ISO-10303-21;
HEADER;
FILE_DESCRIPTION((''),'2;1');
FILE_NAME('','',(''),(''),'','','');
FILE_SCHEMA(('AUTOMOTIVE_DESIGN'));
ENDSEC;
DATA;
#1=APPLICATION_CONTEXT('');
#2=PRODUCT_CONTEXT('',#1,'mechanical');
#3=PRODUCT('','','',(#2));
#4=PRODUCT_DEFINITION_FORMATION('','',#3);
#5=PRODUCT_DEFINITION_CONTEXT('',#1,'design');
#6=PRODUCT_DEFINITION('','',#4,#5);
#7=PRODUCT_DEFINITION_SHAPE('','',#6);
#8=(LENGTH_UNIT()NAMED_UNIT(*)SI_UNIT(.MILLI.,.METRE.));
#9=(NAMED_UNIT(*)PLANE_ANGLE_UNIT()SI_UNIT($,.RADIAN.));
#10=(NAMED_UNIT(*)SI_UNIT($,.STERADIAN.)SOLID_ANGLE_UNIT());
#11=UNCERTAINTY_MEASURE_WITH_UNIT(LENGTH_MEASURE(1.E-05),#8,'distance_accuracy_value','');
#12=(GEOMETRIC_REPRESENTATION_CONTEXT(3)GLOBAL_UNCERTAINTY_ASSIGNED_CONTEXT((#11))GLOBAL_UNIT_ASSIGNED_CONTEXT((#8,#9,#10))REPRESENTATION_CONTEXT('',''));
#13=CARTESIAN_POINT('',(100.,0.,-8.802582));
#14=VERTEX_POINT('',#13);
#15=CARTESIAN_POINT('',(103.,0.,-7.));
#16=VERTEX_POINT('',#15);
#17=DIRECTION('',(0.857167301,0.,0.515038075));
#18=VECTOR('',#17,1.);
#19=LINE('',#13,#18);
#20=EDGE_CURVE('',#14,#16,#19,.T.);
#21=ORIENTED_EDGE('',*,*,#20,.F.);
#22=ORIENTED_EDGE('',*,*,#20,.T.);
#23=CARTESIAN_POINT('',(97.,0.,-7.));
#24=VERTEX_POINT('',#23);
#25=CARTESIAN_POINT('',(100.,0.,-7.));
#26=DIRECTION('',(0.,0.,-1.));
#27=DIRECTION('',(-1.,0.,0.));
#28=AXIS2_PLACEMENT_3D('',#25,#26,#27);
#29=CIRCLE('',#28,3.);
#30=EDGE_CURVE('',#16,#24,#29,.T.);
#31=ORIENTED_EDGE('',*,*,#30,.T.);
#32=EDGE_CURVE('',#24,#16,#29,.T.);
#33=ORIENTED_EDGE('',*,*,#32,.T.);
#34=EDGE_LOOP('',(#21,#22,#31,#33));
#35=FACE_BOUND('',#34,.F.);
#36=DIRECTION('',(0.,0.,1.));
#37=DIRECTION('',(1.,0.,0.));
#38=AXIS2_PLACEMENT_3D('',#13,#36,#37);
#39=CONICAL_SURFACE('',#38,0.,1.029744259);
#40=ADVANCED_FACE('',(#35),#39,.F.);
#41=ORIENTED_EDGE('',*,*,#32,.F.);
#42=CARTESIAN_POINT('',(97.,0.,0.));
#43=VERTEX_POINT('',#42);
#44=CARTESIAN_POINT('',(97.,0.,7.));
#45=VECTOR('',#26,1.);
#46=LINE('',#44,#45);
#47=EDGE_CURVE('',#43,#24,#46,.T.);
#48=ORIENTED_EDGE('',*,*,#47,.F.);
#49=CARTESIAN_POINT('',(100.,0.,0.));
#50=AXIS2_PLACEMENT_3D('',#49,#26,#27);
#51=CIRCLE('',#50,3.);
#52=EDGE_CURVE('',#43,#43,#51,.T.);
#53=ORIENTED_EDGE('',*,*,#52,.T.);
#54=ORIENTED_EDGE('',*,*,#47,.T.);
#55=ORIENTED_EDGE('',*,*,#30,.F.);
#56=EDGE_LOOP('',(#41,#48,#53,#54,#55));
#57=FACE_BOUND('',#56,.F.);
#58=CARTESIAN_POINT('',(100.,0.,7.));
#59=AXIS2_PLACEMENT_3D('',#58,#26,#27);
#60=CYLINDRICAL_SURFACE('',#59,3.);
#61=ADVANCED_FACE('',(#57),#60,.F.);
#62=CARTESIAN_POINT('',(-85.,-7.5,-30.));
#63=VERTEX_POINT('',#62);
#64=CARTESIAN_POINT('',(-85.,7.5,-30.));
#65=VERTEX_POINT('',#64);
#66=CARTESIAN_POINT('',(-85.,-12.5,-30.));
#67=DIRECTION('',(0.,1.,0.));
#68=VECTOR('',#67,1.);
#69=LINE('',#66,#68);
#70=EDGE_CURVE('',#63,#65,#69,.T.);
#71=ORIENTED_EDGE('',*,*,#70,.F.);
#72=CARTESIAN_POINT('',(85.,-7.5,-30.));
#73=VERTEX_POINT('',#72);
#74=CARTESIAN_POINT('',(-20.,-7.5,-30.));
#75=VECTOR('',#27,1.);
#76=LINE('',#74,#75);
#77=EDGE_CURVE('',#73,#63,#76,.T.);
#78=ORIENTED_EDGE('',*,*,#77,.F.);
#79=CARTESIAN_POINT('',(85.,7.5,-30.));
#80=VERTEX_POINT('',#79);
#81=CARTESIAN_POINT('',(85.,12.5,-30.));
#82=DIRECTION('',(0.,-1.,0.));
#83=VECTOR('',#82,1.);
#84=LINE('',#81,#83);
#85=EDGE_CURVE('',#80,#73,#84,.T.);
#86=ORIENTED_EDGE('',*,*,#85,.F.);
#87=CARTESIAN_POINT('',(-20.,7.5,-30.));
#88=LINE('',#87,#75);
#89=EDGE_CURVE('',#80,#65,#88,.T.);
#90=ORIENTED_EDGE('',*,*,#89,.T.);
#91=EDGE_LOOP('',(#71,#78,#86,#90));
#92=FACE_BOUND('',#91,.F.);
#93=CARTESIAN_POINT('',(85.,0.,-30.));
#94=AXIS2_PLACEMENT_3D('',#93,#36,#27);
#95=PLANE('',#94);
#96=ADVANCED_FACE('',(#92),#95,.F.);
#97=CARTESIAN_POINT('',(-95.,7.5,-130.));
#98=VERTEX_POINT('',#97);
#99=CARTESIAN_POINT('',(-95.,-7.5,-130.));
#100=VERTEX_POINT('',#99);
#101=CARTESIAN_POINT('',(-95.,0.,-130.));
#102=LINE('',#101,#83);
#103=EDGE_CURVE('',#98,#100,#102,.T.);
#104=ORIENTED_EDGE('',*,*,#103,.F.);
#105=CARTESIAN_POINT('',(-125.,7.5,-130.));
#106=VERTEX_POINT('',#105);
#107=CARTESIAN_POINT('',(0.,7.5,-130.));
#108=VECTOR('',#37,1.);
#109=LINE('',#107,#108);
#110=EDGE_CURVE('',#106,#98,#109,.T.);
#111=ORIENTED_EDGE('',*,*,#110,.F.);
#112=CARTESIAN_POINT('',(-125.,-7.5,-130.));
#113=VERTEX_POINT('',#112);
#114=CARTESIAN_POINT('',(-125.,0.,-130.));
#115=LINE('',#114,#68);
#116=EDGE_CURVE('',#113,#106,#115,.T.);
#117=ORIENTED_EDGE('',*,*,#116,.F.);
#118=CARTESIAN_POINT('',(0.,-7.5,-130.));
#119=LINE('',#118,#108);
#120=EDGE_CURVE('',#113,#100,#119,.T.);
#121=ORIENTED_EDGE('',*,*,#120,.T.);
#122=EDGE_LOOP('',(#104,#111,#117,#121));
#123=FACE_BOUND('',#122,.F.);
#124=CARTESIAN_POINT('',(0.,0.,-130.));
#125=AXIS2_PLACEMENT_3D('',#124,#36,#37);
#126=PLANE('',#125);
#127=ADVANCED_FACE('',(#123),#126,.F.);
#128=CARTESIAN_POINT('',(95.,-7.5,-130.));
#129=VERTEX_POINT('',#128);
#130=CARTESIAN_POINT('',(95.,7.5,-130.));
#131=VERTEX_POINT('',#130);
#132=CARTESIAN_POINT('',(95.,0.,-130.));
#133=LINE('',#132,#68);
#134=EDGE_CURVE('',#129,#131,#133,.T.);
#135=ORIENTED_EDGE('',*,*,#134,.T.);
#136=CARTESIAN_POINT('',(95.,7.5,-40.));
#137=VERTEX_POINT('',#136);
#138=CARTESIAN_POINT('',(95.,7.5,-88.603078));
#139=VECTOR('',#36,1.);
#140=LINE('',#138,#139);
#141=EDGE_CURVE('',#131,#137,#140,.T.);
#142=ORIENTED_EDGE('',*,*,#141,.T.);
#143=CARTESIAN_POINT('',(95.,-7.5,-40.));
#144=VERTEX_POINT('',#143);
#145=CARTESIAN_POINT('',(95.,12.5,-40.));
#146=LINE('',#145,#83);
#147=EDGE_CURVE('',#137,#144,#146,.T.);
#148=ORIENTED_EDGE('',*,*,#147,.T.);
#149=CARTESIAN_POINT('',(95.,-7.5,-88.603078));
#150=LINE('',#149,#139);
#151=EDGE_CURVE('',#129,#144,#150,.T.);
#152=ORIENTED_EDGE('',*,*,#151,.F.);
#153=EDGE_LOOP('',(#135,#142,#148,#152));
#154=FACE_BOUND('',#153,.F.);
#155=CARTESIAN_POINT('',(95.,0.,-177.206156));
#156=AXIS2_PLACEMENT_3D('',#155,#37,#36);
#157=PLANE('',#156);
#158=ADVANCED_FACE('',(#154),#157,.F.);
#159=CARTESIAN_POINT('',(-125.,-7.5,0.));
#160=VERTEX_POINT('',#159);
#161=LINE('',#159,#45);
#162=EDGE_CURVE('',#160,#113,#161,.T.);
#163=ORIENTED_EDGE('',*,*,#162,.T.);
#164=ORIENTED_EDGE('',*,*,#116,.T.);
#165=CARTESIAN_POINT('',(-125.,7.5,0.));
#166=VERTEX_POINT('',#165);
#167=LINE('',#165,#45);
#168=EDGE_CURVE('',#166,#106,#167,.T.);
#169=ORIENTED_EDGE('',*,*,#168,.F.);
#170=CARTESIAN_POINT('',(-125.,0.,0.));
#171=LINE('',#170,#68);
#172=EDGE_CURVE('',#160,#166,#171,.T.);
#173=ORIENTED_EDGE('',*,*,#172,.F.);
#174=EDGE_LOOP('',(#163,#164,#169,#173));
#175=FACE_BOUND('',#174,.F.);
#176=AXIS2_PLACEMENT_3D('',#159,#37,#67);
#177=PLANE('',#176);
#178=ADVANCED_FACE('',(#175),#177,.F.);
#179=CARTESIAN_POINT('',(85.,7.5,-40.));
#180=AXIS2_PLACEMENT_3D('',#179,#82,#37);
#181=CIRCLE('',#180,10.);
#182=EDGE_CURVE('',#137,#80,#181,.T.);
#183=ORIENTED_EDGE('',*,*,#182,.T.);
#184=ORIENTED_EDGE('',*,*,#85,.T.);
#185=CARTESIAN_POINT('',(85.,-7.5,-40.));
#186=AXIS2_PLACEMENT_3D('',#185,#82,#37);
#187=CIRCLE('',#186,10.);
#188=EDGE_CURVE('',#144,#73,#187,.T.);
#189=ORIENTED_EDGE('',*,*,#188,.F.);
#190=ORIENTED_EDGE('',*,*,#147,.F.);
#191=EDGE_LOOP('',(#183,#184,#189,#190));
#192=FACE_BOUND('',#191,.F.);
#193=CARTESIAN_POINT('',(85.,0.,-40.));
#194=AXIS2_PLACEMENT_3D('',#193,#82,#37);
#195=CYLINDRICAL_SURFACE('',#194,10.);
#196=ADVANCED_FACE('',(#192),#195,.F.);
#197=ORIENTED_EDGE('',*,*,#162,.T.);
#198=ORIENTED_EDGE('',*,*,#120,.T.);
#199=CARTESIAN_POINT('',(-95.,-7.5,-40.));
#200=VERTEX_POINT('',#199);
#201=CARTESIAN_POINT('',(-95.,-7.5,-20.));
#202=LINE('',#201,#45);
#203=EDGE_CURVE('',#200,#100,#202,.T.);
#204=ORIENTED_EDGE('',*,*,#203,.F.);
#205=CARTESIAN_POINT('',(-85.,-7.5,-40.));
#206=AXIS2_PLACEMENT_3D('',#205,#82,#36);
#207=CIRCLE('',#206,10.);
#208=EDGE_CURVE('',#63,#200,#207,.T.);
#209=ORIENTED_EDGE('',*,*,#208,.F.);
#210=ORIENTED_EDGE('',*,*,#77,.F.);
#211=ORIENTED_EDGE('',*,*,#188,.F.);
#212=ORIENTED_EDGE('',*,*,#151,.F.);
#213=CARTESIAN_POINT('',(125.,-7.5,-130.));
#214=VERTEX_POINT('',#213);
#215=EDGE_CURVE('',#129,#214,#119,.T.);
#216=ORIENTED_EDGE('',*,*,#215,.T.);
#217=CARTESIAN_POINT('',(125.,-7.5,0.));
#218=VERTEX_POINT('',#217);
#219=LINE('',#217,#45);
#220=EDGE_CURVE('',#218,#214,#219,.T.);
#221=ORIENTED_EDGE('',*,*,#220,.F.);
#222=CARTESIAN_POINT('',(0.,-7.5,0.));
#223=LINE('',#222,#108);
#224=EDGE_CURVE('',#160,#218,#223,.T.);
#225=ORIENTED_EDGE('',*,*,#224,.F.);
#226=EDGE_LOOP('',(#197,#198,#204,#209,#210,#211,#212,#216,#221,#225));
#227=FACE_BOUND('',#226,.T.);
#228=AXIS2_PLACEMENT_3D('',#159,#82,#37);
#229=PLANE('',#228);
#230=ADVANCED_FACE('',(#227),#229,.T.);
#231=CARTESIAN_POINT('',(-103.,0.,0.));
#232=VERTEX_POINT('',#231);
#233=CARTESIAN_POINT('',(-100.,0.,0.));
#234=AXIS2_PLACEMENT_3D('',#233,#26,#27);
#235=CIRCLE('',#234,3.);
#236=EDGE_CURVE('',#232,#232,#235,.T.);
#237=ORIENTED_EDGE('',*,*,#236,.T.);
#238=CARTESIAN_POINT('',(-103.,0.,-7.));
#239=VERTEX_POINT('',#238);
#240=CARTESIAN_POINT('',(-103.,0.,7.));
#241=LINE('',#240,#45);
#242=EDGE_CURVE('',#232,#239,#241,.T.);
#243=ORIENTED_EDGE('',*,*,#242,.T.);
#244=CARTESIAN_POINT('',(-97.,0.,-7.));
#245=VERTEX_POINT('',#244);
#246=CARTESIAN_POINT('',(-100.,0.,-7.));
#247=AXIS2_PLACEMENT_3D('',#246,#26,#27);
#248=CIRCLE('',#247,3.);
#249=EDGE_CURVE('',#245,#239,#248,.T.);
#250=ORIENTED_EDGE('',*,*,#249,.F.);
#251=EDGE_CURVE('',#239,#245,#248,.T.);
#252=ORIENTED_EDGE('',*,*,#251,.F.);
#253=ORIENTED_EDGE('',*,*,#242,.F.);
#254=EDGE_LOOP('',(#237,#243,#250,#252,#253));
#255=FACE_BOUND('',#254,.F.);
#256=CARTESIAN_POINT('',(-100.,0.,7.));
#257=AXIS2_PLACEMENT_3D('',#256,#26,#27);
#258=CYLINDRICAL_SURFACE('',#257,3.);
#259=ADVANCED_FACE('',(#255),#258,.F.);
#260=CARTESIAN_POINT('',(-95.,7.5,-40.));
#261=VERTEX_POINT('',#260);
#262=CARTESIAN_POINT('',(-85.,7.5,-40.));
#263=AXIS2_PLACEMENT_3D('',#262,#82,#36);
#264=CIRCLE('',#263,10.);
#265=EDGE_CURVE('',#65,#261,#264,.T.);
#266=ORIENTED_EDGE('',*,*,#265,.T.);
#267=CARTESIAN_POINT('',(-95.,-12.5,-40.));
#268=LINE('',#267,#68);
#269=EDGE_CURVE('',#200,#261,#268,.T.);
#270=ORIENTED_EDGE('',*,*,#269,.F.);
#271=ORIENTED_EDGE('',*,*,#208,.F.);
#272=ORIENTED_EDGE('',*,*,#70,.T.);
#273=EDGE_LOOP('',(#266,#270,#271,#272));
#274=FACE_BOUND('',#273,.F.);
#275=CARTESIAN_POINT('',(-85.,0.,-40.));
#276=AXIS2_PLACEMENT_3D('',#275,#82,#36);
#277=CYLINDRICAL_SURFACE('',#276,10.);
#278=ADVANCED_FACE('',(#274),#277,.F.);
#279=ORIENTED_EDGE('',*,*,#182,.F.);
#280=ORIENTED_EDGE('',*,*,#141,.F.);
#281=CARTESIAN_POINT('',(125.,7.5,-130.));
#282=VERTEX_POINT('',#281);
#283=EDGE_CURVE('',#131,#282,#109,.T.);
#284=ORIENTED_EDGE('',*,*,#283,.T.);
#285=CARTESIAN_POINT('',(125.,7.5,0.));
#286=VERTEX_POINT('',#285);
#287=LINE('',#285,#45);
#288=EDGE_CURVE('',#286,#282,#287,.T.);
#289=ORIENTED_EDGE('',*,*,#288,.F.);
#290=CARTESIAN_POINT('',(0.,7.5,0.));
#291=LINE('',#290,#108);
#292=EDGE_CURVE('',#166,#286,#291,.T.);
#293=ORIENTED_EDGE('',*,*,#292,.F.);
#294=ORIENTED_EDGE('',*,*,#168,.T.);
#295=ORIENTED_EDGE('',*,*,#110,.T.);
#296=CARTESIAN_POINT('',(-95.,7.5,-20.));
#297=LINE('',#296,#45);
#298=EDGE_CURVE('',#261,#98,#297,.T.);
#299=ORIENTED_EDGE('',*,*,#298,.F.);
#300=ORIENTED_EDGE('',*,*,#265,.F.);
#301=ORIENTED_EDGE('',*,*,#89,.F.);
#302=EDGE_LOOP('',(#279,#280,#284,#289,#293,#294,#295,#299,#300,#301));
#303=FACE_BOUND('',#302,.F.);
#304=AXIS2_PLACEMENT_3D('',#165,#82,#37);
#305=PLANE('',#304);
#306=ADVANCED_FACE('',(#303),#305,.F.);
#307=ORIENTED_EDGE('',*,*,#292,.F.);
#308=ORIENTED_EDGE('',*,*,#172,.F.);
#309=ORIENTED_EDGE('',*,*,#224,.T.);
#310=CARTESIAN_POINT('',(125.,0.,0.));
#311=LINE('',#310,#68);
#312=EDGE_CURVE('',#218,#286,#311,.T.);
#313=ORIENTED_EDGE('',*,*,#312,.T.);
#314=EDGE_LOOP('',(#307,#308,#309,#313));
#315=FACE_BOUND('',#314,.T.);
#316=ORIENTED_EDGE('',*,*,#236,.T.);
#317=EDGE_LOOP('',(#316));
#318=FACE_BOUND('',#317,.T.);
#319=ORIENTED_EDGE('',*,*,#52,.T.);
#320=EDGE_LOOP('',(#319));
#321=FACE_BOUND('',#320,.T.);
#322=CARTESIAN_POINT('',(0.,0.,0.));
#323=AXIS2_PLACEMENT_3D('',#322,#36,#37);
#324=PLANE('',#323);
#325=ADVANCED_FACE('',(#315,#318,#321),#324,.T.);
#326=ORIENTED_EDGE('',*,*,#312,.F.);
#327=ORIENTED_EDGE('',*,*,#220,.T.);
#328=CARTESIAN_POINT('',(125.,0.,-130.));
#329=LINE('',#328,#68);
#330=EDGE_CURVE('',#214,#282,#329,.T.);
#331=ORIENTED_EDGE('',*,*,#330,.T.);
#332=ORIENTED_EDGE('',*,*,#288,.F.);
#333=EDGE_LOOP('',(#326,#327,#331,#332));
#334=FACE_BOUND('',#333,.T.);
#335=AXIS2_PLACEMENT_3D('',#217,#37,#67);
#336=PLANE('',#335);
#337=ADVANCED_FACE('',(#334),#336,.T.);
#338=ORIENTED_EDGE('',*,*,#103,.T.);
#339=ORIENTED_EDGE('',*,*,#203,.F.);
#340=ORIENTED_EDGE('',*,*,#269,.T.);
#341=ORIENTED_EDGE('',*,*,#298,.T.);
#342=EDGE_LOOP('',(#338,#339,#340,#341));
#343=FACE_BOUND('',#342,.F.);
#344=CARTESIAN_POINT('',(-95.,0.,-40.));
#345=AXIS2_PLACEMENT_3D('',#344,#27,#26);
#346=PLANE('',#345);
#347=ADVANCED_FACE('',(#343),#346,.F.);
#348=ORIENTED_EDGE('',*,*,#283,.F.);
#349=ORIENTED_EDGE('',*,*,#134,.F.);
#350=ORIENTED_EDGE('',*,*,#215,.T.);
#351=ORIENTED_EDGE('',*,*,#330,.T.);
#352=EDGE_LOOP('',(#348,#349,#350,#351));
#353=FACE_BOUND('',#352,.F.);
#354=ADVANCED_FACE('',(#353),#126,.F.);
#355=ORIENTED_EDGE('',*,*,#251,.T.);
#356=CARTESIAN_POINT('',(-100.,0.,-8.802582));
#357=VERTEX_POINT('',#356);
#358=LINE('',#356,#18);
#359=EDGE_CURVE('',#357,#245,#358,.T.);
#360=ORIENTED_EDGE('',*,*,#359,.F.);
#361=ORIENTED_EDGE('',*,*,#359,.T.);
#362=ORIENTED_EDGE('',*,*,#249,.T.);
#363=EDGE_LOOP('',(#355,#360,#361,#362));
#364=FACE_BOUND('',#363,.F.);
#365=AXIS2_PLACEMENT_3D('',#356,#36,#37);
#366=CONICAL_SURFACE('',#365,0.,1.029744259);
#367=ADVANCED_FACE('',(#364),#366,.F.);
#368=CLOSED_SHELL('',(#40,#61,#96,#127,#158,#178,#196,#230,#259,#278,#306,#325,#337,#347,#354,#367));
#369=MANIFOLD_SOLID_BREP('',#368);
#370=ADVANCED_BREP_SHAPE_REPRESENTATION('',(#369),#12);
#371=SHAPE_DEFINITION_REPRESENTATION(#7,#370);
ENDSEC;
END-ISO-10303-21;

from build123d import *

# Parameters (mm, degrees)
F0_W     = 250
F0_H     = 15
F1_DEPTH = 130
F2_D     = 6
F2_DEPTH = 7
F2_TIP   = 1.8025818571
F4_DEPTH = 12.5


with BuildPart() as f1:
    # F0 (on Top) → F1 (new body)
    with BuildSketch(Plane.XY):
        Rectangle(F0_W, F0_H)
    extrude(amount=-F1_DEPTH)

    # F2
    with Locations(Plane.XY):
        with Locations((-100, 0), (100, 0)):
            Hole(F2_D / 2, depth=F2_DEPTH)
            with Locations((0, 0, -(F2_DEPTH + F2_TIP / 2))):  # 118° drill point
                Cone(0, F2_D / 2, F2_TIP, mode=Mode.SUBTRACT)

    # F3 (on Front) → F4 (cut, symmetric)
    with BuildSketch(Plane.XZ):
        with BuildLine():
            Line((-95, -177.2061562841), (95, -177.2061562841))
            Line((95, -177.2061562841), (95, -40))
            ThreePointArc((95, -40), (92.0710678119, -32.9289321881), (85, -30))
            Line((85, -30), (-85, -30))
            ThreePointArc((-85, -30), (-92.0710678119, -32.9289321881), (-95, -40))
            Line((-95, -40), (-95, -177.2061562841))
        make_face()
    extrude(amount=F4_DEPTH, both=True, mode=Mode.SUBTRACT)


solid = f1.part
